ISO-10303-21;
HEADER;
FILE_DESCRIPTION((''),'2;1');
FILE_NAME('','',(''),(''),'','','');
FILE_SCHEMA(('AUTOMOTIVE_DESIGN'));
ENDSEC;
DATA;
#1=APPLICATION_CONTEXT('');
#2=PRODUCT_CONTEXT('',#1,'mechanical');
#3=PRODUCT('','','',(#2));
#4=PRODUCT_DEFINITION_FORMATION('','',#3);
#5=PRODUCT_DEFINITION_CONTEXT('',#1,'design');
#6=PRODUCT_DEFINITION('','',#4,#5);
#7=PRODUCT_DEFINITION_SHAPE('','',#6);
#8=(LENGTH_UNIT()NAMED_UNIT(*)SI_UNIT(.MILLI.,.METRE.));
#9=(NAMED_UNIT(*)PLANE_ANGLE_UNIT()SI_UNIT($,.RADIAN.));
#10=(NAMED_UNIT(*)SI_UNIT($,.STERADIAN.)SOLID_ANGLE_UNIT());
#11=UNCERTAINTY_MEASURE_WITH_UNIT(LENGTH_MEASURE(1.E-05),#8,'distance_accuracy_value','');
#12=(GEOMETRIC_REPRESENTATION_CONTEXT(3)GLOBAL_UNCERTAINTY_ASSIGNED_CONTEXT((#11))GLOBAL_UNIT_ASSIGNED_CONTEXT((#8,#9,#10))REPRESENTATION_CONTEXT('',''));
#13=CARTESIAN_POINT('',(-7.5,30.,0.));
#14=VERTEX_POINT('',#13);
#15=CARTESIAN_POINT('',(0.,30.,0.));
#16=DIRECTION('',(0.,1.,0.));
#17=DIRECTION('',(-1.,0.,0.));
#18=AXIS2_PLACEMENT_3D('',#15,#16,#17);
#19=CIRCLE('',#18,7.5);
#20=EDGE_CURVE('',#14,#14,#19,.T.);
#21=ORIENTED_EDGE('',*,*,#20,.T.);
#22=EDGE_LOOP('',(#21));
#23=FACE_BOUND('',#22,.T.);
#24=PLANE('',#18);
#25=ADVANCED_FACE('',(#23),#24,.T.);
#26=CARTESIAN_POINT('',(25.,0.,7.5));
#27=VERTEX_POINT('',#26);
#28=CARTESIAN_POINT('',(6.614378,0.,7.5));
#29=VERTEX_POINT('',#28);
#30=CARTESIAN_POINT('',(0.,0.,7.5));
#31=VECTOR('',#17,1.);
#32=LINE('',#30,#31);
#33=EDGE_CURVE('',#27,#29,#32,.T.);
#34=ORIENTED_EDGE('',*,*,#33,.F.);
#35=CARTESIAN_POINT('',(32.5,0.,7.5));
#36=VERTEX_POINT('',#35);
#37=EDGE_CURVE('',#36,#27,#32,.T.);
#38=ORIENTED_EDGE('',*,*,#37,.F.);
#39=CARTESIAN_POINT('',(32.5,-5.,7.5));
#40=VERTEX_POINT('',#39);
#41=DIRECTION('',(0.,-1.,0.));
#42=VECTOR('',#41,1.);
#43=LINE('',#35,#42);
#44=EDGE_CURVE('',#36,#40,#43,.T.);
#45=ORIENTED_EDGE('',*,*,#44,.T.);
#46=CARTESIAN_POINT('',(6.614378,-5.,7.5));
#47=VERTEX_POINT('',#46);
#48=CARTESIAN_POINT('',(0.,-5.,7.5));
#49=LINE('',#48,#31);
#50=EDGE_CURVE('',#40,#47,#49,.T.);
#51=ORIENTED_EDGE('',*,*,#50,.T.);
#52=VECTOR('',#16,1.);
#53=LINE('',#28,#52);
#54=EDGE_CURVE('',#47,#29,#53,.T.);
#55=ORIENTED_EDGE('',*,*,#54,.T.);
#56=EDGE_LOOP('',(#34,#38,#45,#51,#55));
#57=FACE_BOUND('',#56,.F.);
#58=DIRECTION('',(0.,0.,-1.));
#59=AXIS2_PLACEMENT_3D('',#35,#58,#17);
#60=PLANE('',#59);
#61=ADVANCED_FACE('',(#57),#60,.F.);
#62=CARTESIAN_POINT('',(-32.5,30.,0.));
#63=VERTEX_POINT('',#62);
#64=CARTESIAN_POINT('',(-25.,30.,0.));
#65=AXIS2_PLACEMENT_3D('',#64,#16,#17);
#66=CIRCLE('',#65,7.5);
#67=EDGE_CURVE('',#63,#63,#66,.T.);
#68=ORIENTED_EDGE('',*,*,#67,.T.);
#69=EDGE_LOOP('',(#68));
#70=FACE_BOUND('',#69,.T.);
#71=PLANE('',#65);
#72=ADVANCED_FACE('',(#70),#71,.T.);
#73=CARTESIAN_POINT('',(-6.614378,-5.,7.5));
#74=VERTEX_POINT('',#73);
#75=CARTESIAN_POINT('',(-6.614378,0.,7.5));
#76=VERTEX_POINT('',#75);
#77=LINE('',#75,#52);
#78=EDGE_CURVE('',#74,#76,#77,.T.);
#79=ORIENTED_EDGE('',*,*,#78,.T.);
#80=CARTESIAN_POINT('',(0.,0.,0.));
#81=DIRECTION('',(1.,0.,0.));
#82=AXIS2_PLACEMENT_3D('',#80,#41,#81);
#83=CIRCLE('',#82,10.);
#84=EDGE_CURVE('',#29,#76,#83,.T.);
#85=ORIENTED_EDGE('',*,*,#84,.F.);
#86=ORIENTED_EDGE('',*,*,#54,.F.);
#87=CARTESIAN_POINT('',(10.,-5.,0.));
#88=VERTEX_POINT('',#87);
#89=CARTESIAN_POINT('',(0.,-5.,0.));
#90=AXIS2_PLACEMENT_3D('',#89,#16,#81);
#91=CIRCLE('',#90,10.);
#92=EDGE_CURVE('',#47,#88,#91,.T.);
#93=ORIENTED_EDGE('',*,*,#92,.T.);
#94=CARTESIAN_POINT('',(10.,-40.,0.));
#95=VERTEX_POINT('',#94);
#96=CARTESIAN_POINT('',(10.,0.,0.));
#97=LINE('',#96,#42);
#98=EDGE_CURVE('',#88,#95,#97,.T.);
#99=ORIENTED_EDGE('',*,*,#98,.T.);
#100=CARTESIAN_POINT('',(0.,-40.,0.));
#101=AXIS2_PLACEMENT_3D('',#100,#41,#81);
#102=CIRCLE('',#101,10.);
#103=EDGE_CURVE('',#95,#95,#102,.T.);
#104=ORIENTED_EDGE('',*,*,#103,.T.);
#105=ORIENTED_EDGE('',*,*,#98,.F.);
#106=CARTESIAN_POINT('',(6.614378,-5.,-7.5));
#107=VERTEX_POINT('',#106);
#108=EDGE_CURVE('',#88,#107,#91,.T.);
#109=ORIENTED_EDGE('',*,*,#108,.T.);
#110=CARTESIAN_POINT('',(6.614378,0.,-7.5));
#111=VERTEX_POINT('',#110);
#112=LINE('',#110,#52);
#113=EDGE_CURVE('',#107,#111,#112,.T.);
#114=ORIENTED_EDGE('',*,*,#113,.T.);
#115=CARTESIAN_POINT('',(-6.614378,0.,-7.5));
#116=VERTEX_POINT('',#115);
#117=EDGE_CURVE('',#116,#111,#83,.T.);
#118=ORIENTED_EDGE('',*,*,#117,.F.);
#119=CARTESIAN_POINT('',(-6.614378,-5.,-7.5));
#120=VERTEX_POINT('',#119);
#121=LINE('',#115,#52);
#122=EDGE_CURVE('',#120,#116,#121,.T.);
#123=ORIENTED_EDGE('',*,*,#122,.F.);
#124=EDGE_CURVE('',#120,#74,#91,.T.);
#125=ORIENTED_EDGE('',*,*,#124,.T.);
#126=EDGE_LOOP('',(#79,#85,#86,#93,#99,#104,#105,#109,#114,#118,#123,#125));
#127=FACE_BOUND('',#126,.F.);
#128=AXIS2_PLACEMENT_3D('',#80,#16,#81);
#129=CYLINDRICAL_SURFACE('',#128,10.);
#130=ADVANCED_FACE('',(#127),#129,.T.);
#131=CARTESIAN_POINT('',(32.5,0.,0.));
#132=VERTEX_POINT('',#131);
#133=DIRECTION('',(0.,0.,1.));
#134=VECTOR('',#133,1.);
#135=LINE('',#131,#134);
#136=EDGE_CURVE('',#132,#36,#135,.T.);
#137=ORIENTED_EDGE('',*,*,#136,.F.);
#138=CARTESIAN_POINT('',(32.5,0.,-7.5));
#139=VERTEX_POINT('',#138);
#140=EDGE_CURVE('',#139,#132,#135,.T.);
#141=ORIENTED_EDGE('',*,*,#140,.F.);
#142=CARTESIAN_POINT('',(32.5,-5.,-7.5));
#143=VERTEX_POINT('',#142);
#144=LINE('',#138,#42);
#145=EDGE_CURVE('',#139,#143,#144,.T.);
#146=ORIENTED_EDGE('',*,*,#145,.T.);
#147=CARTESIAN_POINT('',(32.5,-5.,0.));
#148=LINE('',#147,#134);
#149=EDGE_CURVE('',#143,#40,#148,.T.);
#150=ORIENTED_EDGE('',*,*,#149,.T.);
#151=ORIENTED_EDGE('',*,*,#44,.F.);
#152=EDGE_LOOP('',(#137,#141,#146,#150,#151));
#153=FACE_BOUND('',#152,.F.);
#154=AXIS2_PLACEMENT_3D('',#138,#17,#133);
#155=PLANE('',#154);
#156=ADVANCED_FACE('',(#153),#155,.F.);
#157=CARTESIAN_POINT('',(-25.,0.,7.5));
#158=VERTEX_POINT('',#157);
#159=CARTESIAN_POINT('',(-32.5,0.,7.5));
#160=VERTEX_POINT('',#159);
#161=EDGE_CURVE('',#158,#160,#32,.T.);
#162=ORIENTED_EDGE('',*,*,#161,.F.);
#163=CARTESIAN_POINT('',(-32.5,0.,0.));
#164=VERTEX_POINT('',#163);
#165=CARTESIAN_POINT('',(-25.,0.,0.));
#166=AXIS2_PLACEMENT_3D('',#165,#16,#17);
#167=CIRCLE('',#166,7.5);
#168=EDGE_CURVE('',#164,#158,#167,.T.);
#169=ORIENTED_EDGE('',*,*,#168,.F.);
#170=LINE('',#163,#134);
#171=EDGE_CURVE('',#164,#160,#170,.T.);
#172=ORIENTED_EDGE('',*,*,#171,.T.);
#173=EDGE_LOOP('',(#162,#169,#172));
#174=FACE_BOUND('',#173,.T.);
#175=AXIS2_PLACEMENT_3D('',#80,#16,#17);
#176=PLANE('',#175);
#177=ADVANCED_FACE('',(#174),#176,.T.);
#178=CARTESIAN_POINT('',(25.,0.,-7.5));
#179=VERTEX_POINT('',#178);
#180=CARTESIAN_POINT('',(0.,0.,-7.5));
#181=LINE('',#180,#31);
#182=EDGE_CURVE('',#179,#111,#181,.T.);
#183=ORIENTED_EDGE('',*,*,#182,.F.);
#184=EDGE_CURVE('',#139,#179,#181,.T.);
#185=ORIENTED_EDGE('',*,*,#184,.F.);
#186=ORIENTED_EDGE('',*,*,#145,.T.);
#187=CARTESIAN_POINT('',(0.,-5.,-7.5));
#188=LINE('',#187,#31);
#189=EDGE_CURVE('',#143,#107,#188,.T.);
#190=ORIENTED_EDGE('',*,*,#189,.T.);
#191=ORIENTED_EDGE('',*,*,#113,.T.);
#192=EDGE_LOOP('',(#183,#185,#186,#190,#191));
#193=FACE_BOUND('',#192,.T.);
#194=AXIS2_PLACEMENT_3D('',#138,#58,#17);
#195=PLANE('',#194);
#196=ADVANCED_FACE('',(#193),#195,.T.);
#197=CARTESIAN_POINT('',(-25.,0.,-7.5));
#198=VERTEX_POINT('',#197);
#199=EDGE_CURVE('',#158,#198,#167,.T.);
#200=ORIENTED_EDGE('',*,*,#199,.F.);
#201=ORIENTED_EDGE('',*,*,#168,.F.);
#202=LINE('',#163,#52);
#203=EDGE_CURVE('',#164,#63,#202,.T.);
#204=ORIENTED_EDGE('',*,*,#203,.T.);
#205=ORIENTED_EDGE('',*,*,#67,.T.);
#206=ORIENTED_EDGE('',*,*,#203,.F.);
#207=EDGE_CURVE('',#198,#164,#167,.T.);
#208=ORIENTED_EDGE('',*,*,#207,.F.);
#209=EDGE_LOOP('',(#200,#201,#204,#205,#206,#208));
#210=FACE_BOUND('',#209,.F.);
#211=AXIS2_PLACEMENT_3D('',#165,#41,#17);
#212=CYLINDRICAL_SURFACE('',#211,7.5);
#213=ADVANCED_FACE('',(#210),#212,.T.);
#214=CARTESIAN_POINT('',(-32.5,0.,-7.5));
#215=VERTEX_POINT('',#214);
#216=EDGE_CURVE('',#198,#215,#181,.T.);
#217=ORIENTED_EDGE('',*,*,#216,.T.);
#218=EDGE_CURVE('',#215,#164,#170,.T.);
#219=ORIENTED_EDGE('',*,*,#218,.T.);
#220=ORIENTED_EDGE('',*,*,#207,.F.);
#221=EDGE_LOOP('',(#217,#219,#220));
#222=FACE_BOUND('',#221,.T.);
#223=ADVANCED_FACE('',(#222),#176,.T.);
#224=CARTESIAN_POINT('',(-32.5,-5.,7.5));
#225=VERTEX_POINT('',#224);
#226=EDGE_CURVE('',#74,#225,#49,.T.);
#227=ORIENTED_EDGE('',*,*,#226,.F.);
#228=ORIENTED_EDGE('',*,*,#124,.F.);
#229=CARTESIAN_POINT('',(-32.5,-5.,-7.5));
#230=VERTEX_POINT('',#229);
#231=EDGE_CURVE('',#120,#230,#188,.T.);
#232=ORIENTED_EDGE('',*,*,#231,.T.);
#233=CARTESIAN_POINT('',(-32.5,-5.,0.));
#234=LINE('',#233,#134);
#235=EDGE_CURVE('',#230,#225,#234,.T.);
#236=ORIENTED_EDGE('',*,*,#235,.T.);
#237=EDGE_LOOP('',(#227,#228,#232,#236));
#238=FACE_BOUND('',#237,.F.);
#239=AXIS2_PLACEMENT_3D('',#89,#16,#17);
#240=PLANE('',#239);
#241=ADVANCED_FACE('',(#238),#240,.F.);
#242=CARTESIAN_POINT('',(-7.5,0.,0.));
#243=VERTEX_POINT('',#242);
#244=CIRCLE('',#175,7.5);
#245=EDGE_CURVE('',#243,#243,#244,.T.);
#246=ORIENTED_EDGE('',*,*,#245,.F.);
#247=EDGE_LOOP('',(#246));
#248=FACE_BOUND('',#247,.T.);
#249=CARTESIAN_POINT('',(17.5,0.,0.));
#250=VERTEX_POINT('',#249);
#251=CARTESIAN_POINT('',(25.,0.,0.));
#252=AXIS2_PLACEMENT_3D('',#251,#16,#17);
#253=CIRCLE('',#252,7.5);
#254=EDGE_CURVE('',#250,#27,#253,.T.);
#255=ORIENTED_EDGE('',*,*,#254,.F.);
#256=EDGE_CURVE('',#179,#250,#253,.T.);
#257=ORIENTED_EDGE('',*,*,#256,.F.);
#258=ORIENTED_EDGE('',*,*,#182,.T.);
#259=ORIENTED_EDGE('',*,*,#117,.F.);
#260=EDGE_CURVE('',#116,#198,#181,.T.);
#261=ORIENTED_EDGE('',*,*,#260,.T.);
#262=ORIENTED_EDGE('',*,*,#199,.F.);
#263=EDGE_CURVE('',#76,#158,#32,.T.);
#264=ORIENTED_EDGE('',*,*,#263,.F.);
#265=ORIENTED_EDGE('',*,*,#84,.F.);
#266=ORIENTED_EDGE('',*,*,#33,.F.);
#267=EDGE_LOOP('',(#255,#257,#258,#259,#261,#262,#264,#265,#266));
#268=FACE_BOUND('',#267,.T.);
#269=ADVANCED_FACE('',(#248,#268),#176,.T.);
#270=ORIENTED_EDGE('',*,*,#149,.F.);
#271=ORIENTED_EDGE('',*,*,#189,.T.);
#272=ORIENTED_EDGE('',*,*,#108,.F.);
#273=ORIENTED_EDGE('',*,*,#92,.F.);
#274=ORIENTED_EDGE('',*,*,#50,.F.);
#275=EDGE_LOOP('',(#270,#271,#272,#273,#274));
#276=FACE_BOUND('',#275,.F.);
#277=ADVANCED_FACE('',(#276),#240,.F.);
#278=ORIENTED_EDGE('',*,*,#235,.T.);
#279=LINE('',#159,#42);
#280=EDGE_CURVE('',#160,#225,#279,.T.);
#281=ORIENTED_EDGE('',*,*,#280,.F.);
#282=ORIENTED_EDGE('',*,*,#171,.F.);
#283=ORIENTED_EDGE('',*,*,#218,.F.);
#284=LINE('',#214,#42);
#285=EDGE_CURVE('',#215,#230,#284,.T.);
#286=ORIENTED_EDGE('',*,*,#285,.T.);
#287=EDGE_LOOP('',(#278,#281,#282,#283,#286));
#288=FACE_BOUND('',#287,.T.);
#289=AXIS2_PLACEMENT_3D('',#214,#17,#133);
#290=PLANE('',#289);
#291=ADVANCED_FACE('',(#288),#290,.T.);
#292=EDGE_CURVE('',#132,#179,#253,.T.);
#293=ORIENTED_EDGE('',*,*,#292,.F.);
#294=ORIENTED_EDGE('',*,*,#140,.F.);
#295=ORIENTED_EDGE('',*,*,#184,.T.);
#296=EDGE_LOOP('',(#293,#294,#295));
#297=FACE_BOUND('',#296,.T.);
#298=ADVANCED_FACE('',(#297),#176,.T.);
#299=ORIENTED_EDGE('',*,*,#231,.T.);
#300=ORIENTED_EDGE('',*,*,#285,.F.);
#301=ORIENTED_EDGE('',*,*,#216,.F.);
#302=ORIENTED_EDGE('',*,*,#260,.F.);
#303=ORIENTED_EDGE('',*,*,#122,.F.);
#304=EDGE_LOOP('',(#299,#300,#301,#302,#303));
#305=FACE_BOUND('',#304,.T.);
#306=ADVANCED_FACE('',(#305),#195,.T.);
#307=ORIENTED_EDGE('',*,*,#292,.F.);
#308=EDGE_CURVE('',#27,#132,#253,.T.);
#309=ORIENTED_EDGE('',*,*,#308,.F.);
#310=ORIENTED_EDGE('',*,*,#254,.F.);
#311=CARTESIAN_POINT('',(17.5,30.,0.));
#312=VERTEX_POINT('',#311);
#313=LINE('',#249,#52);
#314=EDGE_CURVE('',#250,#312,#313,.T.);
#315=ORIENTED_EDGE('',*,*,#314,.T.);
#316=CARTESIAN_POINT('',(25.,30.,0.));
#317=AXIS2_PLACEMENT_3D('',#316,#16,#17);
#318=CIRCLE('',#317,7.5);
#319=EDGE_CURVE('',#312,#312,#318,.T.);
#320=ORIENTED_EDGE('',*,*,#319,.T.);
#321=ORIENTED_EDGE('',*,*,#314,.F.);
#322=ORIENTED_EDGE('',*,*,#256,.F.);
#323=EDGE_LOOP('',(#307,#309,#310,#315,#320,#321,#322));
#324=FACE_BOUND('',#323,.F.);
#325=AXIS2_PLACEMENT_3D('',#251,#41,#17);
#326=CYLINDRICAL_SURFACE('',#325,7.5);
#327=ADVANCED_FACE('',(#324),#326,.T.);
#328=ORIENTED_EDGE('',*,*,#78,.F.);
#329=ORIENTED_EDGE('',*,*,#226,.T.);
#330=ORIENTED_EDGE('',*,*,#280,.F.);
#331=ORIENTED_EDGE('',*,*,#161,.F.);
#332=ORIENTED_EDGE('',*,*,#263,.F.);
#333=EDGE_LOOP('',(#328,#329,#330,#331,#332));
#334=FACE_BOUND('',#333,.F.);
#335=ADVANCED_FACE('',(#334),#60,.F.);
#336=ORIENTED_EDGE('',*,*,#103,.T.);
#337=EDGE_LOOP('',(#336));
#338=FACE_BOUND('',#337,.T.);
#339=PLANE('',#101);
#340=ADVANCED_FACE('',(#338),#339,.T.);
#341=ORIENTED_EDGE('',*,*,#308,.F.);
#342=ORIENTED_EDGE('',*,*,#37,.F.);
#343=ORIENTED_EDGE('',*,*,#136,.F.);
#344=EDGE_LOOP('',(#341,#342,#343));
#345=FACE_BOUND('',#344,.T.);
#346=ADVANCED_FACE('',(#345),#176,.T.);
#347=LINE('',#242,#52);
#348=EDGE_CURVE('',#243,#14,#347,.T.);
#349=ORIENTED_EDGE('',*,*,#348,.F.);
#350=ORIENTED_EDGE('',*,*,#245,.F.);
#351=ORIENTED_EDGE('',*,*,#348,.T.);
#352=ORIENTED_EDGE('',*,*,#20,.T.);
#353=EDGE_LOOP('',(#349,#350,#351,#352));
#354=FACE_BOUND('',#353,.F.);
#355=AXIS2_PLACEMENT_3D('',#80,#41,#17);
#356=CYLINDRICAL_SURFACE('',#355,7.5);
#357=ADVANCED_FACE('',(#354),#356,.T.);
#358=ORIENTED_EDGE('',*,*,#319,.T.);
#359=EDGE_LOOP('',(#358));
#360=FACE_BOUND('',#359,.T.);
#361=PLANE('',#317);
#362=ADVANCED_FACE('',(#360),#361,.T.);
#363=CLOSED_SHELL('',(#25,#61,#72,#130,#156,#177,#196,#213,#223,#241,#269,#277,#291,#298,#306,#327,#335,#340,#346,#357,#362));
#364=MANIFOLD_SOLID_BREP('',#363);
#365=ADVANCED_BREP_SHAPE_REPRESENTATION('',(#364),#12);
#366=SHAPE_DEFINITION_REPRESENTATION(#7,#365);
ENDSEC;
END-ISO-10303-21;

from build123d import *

# Parameters (mm, degrees)
F0_R     = 10
F1_DEPTH = 40
F2_W     = 65
F2_H     = 15
F3_DEPTH = 5
F4_R     = 7.5
F5_DEPTH = 30


with BuildPart() as f1:
    # F0 (on Front) → F1 (new body)
    with BuildSketch(Plane.XZ):
        Circle(F0_R)
    extrude(amount=F1_DEPTH)

    # F2 (on face) → F3 (join)
    with BuildSketch(Plane(origin=(0, 0, 0), x_dir=(-1, 0, 0), z_dir=(0, 1, 0))):
        Rectangle(F2_W, F2_H)
    extrude(amount=-F3_DEPTH)

    # F4 (on face) → F5 (join)
    with BuildSketch(Plane(origin=(0, 0, 0), x_dir=(-1, 0, 0), z_dir=(0, 1, 0))):
        Circle(F4_R)
        with Locations((-25, 0)):
            Circle(F4_R)
        with Locations((25, 0)):
            Circle(F4_R)
    extrude(amount=F5_DEPTH)


solid = f1.part
